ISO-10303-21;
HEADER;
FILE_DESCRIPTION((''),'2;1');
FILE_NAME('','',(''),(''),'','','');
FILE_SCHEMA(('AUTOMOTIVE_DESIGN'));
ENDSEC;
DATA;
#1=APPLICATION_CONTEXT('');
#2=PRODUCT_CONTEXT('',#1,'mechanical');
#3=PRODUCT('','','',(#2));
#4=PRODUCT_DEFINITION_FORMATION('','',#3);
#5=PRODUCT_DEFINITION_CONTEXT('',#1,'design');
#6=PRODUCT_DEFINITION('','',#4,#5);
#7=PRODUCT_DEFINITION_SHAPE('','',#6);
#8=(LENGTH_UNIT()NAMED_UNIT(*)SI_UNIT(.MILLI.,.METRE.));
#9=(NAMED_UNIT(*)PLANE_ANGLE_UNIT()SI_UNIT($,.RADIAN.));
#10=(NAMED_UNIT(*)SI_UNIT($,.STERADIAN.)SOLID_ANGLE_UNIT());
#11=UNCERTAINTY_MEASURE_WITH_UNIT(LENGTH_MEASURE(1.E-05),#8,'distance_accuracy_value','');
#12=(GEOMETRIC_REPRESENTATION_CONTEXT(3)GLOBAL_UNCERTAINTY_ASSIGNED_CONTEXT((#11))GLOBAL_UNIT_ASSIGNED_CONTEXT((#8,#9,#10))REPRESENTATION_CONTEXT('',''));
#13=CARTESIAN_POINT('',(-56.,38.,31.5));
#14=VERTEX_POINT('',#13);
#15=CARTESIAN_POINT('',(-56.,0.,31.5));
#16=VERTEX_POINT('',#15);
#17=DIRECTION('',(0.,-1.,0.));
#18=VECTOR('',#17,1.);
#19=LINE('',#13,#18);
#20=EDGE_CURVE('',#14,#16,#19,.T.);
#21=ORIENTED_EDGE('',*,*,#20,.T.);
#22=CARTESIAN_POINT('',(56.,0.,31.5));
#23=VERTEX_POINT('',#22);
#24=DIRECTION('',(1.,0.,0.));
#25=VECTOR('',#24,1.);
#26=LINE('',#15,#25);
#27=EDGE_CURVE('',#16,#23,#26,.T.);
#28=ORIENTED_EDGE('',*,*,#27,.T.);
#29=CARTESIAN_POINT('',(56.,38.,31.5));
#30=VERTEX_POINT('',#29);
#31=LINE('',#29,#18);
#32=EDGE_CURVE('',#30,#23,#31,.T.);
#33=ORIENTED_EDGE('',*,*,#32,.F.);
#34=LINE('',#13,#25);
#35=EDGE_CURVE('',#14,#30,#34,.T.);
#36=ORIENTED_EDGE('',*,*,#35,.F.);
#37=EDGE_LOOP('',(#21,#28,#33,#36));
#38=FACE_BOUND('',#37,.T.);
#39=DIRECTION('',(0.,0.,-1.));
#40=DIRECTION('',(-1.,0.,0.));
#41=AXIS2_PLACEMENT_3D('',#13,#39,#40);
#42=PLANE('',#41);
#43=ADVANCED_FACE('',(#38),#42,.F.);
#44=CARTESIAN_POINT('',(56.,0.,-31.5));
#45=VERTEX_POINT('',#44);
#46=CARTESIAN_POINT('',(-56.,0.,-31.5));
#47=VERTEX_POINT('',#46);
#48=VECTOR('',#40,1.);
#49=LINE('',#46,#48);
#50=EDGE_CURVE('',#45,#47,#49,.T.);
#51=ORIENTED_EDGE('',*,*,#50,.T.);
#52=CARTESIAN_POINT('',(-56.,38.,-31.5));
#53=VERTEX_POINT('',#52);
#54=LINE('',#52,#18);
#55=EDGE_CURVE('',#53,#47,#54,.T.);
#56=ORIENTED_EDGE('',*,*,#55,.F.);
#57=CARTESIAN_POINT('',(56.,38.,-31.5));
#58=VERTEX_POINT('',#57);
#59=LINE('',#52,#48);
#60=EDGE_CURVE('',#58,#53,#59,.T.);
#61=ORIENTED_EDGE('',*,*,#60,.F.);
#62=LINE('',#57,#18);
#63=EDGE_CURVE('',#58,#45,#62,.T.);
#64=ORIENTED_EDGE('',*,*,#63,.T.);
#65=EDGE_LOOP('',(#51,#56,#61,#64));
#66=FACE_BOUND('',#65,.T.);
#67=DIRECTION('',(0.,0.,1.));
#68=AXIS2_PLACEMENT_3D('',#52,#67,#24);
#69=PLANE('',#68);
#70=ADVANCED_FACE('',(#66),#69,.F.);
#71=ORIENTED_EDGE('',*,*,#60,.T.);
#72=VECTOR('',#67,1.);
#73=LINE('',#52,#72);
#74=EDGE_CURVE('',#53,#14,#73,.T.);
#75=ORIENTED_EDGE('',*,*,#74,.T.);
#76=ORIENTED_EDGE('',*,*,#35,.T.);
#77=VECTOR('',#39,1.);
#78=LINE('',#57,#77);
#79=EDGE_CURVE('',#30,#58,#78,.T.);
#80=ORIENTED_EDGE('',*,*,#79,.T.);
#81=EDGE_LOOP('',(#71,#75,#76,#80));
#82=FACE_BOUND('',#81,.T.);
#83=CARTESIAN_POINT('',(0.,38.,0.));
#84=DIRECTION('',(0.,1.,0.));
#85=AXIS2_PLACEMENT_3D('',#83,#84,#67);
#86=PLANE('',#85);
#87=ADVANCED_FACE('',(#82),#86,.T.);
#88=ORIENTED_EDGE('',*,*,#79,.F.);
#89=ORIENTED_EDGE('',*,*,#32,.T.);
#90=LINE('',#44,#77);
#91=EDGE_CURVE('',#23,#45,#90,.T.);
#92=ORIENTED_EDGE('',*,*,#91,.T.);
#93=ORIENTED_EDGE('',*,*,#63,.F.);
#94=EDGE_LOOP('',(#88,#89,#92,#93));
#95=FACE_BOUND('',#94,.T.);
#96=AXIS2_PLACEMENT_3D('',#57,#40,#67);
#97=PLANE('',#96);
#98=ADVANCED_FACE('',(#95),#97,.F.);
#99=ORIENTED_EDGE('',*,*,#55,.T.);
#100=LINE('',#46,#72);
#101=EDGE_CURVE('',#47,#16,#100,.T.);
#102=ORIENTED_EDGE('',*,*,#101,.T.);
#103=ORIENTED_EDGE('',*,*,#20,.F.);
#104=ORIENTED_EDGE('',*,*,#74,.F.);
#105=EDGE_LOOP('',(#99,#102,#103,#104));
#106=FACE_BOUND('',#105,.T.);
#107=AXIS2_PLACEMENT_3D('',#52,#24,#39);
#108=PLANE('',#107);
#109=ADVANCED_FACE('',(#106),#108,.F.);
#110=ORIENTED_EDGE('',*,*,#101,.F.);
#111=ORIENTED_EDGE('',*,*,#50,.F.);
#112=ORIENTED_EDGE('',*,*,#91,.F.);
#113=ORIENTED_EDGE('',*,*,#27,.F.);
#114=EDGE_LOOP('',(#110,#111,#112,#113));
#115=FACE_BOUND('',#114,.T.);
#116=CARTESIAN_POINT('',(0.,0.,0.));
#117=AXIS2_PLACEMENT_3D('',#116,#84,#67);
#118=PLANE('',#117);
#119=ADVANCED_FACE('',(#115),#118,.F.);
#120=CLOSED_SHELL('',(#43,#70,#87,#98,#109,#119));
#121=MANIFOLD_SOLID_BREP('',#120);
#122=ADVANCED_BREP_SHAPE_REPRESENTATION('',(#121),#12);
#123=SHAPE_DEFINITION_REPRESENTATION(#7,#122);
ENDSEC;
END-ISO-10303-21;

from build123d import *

# Parameters (mm, degrees)
SKETCH_1_W      = 112
SKETCH_1_H      = 63
EXTRUDE_1_DEPTH = 38


with BuildPart() as part:
    # 草图1 → 凸台-拉伸1 (new body)
    with BuildSketch(Plane(origin=(0, 0, 0), x_dir=(1, 0, 0), z_dir=(0, 1, 0))):
        Rectangle(SKETCH_1_W, SKETCH_1_H)
    extrude(amount=EXTRUDE_1_DEPTH)


solid = part.part
